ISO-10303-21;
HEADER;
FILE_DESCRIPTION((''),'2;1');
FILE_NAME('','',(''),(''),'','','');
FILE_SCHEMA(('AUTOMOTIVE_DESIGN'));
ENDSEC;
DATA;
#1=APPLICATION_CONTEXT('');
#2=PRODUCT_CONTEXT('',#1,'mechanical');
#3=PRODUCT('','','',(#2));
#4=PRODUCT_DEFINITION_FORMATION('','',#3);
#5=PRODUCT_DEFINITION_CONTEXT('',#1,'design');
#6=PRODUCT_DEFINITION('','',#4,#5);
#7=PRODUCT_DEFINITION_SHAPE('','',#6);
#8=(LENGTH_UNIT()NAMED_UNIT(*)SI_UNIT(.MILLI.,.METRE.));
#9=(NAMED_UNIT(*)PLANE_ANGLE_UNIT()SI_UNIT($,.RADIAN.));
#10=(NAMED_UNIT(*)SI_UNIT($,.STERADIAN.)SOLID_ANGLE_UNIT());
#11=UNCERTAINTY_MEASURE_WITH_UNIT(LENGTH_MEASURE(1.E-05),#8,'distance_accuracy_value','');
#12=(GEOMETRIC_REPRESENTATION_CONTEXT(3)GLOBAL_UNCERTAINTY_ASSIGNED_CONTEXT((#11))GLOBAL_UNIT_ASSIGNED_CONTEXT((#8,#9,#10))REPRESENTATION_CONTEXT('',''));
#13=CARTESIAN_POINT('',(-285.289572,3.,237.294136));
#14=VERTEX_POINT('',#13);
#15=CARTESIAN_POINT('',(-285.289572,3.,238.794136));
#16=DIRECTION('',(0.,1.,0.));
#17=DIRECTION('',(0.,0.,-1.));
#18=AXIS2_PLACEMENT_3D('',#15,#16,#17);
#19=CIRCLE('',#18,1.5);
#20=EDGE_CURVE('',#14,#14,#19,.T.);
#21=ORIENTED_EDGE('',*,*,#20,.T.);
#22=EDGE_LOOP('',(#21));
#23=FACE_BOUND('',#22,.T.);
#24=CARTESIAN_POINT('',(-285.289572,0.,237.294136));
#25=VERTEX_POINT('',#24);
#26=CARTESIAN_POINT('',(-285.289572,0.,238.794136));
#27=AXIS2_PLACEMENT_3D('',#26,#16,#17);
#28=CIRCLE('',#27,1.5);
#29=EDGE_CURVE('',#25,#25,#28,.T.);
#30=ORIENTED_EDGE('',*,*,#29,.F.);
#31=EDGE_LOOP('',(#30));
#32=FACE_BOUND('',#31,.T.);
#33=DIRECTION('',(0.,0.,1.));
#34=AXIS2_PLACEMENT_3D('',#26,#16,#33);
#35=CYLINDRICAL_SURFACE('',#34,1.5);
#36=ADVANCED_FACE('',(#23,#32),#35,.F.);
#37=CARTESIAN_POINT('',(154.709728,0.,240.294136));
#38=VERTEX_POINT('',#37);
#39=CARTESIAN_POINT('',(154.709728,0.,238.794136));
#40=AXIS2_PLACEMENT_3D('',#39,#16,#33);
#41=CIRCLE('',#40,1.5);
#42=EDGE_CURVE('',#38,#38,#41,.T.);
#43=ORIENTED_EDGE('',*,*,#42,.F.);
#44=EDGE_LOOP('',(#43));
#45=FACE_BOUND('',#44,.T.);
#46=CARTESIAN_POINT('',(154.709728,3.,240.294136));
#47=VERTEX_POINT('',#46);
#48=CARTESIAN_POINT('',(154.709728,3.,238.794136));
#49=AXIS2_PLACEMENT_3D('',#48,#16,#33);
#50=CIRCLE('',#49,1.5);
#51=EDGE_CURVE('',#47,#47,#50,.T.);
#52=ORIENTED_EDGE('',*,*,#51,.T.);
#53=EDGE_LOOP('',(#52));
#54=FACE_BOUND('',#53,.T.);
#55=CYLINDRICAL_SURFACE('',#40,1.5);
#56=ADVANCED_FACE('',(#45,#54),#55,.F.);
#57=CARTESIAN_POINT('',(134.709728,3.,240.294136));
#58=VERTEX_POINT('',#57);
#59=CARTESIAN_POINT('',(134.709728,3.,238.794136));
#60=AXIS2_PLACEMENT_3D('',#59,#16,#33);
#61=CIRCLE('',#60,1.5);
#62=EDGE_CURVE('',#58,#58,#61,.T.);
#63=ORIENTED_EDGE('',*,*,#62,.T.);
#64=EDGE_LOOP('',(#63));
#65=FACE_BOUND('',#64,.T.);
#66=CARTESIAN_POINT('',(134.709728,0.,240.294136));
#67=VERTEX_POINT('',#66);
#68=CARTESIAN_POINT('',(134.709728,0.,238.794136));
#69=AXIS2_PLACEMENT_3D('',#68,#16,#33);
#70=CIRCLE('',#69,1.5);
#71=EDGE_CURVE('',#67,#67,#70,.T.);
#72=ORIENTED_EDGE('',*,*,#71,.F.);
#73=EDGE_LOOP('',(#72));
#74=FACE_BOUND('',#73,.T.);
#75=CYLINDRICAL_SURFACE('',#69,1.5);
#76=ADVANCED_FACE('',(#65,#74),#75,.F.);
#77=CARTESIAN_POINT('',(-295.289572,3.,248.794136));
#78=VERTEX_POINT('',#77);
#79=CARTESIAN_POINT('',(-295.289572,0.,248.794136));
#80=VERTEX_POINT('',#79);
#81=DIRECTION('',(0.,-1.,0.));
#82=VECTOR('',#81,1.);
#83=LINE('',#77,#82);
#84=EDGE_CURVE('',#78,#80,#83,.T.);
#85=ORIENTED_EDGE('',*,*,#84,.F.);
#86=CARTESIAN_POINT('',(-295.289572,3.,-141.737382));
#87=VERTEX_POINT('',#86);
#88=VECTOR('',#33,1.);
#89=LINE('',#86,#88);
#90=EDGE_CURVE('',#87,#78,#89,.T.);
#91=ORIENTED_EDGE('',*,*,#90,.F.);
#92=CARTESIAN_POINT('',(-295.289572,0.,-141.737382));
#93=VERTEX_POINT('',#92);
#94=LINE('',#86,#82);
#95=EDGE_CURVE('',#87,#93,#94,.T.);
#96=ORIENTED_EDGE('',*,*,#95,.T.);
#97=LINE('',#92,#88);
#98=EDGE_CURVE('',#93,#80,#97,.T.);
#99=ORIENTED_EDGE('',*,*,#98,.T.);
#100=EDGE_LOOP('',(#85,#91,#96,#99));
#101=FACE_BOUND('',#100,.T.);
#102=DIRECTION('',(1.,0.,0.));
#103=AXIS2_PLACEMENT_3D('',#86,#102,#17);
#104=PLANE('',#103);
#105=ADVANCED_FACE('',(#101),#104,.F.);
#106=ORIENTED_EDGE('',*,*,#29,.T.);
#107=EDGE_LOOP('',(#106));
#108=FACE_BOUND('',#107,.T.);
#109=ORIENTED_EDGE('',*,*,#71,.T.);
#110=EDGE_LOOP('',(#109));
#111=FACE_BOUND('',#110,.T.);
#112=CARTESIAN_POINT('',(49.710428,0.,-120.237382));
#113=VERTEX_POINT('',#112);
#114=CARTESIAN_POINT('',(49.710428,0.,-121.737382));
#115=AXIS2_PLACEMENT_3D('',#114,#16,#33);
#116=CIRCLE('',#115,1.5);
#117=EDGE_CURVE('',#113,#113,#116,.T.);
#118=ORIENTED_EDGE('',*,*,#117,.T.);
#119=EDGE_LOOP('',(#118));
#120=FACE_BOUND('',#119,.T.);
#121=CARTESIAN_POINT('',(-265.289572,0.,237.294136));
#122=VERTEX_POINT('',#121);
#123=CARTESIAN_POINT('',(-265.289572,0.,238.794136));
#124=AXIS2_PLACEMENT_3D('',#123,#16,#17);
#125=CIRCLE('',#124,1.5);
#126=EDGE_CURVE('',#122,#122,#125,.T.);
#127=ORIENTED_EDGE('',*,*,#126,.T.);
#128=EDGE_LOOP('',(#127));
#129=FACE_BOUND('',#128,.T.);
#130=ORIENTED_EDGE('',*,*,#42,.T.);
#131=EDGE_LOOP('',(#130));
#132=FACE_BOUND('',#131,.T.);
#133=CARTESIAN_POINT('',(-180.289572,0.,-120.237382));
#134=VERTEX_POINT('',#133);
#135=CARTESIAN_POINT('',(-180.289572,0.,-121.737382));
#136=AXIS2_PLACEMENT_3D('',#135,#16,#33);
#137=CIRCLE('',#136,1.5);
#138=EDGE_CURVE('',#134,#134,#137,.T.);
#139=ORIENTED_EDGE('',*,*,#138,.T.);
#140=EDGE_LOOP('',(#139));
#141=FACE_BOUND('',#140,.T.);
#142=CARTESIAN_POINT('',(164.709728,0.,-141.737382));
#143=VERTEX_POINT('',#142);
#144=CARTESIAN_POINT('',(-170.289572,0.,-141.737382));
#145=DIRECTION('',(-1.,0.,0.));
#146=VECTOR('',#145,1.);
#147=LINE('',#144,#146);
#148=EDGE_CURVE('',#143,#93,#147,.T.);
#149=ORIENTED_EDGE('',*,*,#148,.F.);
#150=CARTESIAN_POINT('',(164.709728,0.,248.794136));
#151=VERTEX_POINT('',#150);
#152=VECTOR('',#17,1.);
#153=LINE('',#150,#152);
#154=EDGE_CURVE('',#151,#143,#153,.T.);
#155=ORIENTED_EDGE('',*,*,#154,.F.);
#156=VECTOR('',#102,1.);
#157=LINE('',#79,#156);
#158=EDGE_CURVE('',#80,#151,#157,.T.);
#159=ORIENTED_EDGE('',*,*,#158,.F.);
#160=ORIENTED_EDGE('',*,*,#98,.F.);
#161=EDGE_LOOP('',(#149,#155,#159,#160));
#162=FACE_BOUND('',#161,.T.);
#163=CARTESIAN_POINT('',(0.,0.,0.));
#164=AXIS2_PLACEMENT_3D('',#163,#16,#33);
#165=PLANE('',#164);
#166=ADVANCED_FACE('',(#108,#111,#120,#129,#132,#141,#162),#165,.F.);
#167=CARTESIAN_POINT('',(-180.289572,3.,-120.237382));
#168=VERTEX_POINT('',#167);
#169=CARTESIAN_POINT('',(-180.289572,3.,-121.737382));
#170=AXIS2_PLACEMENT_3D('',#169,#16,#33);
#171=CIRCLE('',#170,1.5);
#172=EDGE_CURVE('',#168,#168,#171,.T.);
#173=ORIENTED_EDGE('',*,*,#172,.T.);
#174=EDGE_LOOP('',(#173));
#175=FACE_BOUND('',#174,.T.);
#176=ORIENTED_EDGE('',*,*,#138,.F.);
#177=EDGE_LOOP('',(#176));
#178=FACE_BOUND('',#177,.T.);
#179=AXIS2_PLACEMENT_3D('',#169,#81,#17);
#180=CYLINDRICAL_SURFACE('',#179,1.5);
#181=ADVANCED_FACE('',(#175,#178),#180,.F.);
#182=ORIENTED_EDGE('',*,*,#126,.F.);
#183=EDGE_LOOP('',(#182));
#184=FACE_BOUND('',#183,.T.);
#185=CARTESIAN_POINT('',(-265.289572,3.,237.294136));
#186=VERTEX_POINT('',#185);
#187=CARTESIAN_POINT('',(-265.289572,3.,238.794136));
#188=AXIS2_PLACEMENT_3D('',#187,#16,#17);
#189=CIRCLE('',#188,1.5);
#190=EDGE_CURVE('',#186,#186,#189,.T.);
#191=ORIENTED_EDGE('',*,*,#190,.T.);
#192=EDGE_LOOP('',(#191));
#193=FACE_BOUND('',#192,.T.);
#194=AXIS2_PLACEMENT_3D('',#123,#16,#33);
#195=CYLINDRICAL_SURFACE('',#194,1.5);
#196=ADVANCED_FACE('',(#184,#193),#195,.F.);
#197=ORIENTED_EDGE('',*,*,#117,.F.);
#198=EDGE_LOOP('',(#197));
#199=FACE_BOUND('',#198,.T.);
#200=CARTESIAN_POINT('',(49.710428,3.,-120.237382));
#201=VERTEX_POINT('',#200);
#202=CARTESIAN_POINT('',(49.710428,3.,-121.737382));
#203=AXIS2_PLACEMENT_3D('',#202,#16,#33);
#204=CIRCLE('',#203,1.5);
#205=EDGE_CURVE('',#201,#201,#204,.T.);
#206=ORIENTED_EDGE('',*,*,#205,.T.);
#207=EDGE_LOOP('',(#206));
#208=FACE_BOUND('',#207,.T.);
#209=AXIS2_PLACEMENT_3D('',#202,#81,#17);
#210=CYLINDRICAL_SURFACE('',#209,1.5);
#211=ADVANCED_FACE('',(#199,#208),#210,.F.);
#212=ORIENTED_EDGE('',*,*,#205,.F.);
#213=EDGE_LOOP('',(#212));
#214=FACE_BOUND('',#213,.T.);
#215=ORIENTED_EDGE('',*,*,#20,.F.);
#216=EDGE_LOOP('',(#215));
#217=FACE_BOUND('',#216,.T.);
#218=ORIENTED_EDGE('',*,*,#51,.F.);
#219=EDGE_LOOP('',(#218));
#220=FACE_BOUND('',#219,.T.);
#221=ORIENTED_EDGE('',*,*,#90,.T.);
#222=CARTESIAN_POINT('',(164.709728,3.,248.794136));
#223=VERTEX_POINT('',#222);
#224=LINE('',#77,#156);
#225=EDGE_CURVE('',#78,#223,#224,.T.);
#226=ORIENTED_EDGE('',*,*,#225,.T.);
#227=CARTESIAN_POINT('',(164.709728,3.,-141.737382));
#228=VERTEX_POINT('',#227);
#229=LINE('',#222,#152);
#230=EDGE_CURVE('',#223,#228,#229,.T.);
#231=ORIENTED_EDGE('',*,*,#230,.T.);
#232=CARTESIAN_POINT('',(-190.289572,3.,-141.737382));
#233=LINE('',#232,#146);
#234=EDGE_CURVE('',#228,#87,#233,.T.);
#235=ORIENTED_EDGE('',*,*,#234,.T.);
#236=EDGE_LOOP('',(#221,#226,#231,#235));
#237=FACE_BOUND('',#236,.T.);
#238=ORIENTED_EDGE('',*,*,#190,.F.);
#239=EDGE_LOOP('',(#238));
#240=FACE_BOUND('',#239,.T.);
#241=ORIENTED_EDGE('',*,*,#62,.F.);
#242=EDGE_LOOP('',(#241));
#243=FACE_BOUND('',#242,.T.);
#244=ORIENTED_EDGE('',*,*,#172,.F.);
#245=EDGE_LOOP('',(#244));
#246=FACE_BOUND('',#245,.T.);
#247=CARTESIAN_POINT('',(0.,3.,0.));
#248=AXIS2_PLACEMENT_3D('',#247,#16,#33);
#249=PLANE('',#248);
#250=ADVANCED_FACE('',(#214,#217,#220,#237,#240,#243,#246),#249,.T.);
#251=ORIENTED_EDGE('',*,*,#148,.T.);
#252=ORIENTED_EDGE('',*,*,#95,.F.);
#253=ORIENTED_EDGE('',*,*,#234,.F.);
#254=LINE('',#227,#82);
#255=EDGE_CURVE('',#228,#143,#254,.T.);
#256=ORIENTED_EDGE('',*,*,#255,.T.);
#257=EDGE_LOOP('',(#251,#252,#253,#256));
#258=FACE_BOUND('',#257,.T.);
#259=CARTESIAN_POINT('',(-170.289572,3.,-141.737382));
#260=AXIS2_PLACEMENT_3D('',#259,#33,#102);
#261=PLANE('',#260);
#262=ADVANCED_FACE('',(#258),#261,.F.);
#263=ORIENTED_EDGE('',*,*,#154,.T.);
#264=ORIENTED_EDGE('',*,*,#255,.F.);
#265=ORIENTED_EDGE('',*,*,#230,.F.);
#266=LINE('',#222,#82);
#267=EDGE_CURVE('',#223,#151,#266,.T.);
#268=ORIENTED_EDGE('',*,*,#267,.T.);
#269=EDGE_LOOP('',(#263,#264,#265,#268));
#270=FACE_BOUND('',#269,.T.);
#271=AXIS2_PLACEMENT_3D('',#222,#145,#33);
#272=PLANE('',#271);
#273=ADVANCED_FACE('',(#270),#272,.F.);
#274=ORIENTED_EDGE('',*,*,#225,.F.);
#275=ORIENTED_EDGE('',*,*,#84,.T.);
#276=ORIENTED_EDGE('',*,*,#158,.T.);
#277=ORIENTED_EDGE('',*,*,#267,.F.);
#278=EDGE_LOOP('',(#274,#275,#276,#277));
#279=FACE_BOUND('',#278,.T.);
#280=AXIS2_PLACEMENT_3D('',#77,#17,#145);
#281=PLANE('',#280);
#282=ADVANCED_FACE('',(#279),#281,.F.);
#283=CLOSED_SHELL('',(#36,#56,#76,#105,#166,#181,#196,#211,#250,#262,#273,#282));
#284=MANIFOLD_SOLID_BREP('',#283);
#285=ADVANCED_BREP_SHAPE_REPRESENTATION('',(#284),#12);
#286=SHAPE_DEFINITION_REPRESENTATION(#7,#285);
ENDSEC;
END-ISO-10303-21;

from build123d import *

# Parameters (mm, degrees)
SKETCH3_R           = 1.5
BOSS_EXTRUDE2_DEPTH = 3
SKETCH4_R           = 1.5
CUT_EXTRUDE1_DEPTH  = 3


with BuildPart() as part:
    # Sketch3 → Boss-Extrude2 (new body)
    with BuildSketch(Plane(origin=(0, 0, 0), x_dir=(1, 0, 0), z_dir=(0, 1, 0))):
        Polygon((-190.289572375, 141.737381871), (-295.289572375, 141.737381871), (-295.289572375, -248.794136117), (164.709727779, -248.794136117), (164.709727779, 141.737381871), (59.710427625, 141.737381871), (39.710427625, 141.737381871), (-170.289572375, 141.737381871), align=None)
        with Locations((-180.289572375, 121.737381871)):
            Circle(SKETCH3_R, mode=Mode.SUBTRACT)
        with Locations((49.710427625, 121.737381871)):
            Circle(SKETCH3_R, mode=Mode.SUBTRACT)
    extrude(amount=BOSS_EXTRUDE2_DEPTH)

    # Sketch4 → Cut-Extrude1 (cut)
    with BuildSketch(Plane(origin=(0, 3, 0), x_dir=(1, 0, 0), z_dir=(0, 1, 0))):
        with Locations((134.709727779, -238.794136117)):
            Circle(SKETCH4_R)
        with Locations((154.709727779, -238.794136117)):
            Circle(SKETCH4_R)
        with Locations((-285.289572375, -238.794136117)):
            Circle(SKETCH4_R)
        with Locations((-265.289572375, -238.794136117)):
            Circle(SKETCH4_R)
    extrude(amount=-CUT_EXTRUDE1_DEPTH, mode=Mode.SUBTRACT)


solid = part.part
